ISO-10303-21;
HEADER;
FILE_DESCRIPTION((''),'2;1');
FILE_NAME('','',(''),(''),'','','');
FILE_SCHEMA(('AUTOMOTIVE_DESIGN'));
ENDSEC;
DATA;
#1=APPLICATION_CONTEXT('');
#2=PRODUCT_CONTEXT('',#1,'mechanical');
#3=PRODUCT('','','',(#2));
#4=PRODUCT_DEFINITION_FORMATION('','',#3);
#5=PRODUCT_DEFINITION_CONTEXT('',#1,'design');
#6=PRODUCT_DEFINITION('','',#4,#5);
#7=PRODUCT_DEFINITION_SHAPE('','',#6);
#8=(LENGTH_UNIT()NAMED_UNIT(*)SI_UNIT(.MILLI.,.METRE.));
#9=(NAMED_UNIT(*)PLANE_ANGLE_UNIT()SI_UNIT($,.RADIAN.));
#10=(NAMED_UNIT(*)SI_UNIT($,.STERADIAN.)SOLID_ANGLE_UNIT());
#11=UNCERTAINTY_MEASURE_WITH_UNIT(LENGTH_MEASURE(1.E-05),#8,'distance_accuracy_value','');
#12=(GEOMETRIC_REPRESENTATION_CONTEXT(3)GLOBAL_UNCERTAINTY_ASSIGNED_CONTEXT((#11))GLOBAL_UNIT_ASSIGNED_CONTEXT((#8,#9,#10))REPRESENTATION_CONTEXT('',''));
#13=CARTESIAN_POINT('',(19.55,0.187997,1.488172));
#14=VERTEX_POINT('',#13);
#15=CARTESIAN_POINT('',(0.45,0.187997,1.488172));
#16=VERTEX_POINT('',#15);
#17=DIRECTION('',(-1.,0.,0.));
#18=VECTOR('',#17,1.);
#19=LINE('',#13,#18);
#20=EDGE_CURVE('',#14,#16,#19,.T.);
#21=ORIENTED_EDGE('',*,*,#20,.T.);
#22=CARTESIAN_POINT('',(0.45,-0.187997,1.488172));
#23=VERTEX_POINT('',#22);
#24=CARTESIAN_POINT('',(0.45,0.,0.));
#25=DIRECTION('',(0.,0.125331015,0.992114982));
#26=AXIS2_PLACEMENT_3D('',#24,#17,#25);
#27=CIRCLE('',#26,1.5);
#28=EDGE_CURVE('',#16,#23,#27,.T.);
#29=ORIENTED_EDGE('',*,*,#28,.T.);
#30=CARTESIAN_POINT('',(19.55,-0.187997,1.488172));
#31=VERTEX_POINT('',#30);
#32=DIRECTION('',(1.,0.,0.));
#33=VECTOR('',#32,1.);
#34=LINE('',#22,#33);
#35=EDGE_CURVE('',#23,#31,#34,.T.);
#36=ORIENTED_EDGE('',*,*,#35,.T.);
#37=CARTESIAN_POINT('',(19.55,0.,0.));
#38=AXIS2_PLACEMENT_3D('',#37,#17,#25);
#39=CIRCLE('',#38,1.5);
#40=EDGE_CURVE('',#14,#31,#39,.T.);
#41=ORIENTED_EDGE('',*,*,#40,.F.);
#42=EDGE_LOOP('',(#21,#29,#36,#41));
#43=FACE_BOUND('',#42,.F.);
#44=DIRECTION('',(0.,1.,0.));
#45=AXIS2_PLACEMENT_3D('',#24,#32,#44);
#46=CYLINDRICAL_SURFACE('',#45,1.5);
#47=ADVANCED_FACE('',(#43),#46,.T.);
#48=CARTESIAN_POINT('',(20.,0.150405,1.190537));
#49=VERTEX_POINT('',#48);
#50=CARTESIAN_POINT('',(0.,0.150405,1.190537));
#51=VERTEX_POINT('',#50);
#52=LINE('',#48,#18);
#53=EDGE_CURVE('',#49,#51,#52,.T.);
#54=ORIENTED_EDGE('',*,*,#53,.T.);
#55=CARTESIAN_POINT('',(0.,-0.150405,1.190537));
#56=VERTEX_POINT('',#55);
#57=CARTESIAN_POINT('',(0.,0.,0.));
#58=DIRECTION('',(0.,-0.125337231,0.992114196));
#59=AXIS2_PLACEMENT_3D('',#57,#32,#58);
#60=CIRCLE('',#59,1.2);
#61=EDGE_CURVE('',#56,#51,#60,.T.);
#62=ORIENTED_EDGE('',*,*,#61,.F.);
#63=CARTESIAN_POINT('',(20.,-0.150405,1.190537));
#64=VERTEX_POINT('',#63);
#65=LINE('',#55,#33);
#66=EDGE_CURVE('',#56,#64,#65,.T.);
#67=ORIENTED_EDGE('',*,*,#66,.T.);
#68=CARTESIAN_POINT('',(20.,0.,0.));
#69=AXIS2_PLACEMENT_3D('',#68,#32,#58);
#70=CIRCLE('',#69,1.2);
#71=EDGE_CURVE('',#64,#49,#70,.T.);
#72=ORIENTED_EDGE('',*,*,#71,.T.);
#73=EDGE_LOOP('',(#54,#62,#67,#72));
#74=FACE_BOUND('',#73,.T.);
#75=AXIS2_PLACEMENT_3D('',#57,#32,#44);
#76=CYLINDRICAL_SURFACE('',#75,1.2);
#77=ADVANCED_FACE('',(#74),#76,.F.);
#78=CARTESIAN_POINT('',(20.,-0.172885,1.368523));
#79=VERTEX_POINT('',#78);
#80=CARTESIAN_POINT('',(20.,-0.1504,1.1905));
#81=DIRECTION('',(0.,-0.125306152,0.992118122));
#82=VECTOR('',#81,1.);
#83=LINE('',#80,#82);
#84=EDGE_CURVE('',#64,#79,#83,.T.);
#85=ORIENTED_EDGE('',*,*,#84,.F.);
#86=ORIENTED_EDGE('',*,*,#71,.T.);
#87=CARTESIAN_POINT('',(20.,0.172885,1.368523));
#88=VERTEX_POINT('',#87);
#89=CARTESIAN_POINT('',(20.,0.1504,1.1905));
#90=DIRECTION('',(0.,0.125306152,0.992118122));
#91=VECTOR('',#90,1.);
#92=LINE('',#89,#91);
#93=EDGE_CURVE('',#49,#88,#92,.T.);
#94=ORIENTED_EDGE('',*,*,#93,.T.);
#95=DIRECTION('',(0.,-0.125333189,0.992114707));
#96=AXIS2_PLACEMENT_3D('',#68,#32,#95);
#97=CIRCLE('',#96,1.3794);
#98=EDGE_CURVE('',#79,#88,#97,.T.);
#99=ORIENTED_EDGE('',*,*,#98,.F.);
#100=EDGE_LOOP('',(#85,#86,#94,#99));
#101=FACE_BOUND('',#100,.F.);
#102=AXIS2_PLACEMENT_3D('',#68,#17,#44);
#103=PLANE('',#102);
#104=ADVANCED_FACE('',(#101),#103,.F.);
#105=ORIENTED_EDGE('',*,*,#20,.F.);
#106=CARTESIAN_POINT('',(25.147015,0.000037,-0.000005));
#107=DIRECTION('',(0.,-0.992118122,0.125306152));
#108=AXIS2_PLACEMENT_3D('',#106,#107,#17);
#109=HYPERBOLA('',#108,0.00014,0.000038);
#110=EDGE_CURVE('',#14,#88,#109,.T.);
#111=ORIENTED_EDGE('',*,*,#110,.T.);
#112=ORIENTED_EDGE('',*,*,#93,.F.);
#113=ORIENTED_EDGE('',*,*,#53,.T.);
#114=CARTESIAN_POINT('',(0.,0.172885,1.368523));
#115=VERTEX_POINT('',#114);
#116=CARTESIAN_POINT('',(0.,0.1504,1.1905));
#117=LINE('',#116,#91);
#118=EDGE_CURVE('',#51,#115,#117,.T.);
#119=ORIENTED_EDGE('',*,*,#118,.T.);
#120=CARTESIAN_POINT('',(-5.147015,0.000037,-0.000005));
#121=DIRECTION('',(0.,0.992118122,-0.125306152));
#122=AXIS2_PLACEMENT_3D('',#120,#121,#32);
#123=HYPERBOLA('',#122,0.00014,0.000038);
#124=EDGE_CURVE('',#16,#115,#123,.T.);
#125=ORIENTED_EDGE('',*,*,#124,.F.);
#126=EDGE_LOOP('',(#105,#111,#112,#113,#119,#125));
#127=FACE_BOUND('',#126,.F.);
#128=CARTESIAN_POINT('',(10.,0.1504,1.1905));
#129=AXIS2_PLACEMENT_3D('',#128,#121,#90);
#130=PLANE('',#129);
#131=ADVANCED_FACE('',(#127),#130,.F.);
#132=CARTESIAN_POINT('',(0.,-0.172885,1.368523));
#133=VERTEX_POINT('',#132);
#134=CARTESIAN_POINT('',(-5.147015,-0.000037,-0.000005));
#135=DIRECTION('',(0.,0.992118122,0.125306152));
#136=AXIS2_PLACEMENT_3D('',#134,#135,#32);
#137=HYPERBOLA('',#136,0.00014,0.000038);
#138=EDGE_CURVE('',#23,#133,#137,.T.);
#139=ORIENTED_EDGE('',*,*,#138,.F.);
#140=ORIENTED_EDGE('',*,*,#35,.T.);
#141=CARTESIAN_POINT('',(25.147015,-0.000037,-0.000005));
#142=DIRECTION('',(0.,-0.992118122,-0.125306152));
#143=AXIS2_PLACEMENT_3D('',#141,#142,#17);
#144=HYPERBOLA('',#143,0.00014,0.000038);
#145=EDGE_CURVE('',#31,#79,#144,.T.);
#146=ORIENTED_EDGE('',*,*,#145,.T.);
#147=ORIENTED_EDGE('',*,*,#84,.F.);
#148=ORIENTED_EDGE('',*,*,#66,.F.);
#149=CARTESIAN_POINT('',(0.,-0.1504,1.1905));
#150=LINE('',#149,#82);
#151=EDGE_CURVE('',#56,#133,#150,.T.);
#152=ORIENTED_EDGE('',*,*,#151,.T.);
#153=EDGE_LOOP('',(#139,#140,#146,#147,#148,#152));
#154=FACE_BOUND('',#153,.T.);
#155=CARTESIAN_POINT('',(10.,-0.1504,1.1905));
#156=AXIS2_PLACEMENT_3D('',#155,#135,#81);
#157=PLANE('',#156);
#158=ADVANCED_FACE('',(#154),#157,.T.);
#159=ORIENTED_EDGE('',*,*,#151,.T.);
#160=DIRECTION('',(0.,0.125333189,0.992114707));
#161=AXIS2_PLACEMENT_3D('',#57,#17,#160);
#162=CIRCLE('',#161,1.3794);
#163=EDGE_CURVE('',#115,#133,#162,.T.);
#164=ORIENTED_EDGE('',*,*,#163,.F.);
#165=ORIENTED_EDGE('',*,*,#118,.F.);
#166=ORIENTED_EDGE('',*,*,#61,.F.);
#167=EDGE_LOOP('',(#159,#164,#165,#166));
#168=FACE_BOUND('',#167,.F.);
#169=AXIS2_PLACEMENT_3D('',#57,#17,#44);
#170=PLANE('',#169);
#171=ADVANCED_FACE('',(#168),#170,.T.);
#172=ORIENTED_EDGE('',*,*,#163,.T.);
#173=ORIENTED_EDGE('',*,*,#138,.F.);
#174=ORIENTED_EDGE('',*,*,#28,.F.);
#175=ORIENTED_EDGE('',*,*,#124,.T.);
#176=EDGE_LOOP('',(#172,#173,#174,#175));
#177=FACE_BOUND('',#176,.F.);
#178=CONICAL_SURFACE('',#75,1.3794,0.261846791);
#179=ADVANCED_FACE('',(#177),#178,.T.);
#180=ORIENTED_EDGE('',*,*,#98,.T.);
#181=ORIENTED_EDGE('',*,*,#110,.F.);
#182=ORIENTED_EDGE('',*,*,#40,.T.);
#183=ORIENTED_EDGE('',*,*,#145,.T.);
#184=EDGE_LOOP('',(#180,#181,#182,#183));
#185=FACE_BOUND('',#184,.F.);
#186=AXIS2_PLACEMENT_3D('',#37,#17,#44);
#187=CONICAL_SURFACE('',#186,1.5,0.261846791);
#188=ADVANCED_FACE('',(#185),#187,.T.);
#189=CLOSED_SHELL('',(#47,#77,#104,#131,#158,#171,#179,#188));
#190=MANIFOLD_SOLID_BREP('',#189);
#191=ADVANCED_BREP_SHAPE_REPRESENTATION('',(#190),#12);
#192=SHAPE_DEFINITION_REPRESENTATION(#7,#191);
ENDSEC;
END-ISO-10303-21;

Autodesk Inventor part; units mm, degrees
ref_plane "YZ Plane" through (0, 0, 0) normal (1, 0, 0) x (0, 1, 0)
ref_plane "XZ Plane" through (0, 0, 0) normal (0, 1, 0) x (-1, 0, 0)
sketch "Skizze1" plane through (0, 0, 0) normal (0, 0, 1) x (1, 0, 0)
  line L0 (0, 1.2) -> (0, 1.3794)
  line L1 (0, 1.3794) -> (0.45, 1.5)
  line L2 (0.45, 1.5) -> (19.55, 1.5)
  line L3 (19.55, 1.5) -> (20, 1.3794)
  line L4 (20, 1.3794) -> (20, 1.2)
  line L5 (20, 0) -> (0, 0)
  line L6 (0, 1.2) -> (20, 1.2)
  line L7 (0, 1.2) -> (0, 0) construction
  line L8 (20, 1.2) -> (20, 0) construction
  line L9 (0, 1.5) -> (0, -0.25) projected
  line L10 (-2, 0) -> (12, 0) projected
  dimension "d0" = 20
  dimension "d1" = 3
  dimension "d2" = 2.4
  dimension "d3" = 15
  dimension "d4" = 15
  dimension "d7" = 0.1206
  dimension "d8" = 0.1206
revolve "Körper" add sketch "Skizze1" angle 360 about axis through (20, 0, 0) along (-1, 0, 0)
ref_plane "IDS_WORKPLANE{1}" through (10, 0, 0) normal (1, 0, 0) x (0, 1, 0)
sketch "Skizze2" plane through (10, 0, 0) normal (1, 0, 0) x (0, 1, 0)
  arc A0 (0.188, 1.4882) -> (-0.188, 1.4882) centre (0, 0) ccw
  arc A1 (0.1504, 1.1905) -> (-0.1504, 1.1905) centre (0, 0) ccw
  line L0 (-0.1504, 1.1905) -> (-0.188, 1.4882)
  line L1 (0.1504, 1.1905) -> (0.188, 1.4882)
  line L2 (0, 1.5) -> (0, -0.25) projected
  line L3 (-0.2193, 0) -> (0.2193, 0) projected
  dimension "d11" = 1.5
  dimension "d12" = 1.2
  dimension "d14" = 0.3
  dimension "d15" = 7.2
extrude "Schnitt" cut sketch "Skizze2" against normal mid plane 20
equation "\"d0\" = NLG"
equation "\"d1\" = NND"
equation "\"d2\" = NND - 2 * SD"
equation "\"d3\" = FAWI"
equation "\"d4\" = FAWI"
equation "\"d11\" = 0.5 * NND"
equation "\"d12\" = -SD + 0.5 * NND"
equation "\"d14\" = SD"
equation "\"d5\" = NLG"
equation "\"NND\" = 3"
equation "\"NLG\" = 20"
equation "\"SD\" = 0.3"
equation "\"PHH\" = 0.45"
equation "\"PHH1\" = PHH"
equation "\"FAWI\" = 15deg"
equation "\"NND1\" = 3.5"
properties part number "ISO 13337 - 3 x 20" material "Edelstahl, austenitisch"
